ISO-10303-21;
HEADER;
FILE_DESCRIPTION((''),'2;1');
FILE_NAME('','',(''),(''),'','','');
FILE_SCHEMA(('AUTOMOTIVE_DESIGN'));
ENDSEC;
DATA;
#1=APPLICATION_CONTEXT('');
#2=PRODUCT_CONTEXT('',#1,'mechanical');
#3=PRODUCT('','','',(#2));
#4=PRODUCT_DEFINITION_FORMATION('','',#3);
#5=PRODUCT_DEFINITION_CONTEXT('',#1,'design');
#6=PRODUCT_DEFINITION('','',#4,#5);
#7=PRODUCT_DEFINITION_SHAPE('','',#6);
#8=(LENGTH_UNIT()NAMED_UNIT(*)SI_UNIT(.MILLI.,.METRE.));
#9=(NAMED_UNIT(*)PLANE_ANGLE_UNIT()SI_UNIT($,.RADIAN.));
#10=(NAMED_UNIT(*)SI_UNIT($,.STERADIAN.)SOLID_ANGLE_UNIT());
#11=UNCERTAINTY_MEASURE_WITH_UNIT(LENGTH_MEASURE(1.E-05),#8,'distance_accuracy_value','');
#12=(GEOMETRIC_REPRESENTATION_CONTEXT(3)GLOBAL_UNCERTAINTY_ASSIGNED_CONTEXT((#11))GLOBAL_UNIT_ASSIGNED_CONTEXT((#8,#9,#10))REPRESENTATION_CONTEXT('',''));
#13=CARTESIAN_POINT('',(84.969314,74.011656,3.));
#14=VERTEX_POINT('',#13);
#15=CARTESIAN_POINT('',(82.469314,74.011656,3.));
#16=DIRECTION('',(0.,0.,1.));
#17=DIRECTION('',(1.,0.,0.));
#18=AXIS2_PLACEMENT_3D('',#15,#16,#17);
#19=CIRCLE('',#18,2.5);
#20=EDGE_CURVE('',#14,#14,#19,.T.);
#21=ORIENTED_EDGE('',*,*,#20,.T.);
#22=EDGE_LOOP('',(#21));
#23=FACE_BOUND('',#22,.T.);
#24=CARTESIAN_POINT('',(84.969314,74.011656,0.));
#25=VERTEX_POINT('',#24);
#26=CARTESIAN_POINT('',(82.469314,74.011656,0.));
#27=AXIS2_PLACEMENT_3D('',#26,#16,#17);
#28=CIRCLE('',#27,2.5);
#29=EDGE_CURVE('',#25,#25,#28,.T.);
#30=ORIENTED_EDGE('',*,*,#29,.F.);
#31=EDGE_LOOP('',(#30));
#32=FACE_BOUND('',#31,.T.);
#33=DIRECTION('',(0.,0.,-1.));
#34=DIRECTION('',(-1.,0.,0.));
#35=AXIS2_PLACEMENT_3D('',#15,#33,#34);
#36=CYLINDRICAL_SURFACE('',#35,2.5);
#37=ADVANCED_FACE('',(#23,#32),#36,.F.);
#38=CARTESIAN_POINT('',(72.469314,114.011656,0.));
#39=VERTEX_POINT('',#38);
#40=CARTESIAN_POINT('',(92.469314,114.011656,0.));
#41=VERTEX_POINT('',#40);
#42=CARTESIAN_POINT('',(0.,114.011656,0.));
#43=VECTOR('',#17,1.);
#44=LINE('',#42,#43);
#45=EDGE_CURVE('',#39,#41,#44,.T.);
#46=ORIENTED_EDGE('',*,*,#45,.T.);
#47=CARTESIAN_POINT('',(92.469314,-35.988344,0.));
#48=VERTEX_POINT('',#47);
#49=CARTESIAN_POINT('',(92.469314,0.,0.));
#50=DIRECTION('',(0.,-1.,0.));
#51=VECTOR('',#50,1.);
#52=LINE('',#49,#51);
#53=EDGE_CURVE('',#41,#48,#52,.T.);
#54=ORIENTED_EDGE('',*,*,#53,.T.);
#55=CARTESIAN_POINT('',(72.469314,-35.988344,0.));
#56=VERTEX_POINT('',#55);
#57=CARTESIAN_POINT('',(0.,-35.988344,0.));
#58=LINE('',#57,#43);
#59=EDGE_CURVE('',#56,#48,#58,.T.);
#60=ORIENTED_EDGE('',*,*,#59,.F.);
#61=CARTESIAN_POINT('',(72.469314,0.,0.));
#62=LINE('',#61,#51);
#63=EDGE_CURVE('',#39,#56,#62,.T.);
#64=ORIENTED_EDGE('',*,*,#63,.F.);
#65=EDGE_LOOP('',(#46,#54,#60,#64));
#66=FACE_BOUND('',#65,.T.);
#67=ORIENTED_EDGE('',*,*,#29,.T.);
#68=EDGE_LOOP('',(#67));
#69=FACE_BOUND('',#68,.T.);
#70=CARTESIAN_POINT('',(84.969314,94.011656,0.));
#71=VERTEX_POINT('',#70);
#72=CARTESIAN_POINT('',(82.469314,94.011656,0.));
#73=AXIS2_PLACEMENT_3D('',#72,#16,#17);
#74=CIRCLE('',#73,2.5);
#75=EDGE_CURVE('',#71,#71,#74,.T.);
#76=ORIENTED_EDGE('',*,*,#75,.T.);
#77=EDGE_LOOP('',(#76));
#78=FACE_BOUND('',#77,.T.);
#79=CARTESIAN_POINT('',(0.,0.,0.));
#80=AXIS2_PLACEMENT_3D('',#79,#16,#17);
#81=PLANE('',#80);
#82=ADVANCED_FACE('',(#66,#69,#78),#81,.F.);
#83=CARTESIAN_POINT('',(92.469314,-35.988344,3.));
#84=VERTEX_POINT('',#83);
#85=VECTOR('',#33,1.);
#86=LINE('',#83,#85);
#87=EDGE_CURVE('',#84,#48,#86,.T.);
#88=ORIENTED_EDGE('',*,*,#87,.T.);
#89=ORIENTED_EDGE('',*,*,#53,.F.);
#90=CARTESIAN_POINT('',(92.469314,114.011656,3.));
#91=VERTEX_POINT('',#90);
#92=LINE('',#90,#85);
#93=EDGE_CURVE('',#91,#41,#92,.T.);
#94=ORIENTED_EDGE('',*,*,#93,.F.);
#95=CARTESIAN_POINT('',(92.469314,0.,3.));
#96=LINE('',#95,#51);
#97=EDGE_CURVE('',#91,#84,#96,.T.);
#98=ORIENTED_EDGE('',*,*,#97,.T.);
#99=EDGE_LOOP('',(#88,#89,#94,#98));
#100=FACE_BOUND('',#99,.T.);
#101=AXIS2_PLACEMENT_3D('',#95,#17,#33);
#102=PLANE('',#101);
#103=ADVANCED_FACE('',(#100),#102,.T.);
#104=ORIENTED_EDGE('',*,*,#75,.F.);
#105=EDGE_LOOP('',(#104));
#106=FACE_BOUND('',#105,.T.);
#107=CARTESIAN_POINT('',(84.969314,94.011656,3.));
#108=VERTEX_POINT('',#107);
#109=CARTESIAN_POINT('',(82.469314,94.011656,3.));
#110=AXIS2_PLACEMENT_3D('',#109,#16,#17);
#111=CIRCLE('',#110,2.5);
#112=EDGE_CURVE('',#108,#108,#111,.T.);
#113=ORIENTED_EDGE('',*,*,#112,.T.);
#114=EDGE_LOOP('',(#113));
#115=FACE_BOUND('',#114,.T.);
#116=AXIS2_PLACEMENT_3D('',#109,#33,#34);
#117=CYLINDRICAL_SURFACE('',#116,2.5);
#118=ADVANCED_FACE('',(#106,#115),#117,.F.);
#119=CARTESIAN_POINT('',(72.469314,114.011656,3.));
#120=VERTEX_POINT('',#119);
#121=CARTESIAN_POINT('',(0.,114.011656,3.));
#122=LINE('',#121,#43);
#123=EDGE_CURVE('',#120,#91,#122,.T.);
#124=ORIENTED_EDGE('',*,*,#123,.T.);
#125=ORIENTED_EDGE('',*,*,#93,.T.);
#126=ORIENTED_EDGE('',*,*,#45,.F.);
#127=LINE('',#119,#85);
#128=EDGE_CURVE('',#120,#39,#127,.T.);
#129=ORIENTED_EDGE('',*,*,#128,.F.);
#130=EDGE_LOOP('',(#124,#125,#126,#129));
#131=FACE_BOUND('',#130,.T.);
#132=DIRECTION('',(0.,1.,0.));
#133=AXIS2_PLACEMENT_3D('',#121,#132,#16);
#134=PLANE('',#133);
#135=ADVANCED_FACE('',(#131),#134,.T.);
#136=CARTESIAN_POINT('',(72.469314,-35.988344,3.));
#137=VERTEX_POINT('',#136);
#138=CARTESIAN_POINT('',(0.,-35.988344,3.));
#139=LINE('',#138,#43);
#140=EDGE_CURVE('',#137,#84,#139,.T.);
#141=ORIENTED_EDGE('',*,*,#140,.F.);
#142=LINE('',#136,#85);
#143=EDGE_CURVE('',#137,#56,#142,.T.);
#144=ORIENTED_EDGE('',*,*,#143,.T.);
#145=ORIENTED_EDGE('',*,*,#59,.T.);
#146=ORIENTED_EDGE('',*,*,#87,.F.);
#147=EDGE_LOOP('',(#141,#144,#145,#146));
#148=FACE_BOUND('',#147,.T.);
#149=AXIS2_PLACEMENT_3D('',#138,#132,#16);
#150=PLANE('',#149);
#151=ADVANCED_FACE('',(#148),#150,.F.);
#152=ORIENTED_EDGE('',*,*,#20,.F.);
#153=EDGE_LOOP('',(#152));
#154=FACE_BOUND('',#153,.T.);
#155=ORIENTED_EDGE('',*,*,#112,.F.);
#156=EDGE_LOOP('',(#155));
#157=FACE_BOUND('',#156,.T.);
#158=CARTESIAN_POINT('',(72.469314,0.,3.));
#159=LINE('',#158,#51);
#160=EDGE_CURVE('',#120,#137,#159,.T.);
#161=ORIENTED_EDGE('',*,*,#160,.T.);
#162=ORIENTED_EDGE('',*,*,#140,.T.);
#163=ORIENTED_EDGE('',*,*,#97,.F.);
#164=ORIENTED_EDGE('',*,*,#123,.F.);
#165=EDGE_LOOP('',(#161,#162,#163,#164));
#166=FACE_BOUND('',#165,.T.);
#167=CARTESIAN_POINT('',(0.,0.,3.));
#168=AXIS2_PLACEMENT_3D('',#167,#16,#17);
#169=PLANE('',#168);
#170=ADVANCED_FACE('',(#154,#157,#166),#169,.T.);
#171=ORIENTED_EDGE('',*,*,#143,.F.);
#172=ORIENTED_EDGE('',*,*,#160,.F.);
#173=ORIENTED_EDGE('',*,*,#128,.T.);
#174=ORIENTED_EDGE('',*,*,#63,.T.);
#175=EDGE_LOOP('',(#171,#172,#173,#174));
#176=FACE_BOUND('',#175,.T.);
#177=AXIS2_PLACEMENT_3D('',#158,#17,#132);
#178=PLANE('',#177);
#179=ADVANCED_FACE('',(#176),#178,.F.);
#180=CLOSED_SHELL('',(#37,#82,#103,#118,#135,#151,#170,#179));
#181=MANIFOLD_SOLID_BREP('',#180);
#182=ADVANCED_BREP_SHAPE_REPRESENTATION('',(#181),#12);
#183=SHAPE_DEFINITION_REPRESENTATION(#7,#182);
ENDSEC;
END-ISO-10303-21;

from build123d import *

# Parameters (mm, degrees)
SKETCH1_W           = 20
SKETCH1_H           = 150
SKETCH1_R           = 2.5
BOSS_EXTRUDE1_DEPTH = 3


with BuildPart() as part:
    # Sketch1 → Boss-Extrude1 (new body)
    with BuildSketch(Plane.XY):
        with Locations((82.469314484, 39.011656261)):
            Rectangle(SKETCH1_W, SKETCH1_H)
        with Locations((82.469314484, 74.011656261)):
            Circle(SKETCH1_R, mode=Mode.SUBTRACT)
        with Locations((82.469314484, 94.011656261)):
            Circle(SKETCH1_R, mode=Mode.SUBTRACT)
    extrude(amount=BOSS_EXTRUDE1_DEPTH)


solid = part.part
